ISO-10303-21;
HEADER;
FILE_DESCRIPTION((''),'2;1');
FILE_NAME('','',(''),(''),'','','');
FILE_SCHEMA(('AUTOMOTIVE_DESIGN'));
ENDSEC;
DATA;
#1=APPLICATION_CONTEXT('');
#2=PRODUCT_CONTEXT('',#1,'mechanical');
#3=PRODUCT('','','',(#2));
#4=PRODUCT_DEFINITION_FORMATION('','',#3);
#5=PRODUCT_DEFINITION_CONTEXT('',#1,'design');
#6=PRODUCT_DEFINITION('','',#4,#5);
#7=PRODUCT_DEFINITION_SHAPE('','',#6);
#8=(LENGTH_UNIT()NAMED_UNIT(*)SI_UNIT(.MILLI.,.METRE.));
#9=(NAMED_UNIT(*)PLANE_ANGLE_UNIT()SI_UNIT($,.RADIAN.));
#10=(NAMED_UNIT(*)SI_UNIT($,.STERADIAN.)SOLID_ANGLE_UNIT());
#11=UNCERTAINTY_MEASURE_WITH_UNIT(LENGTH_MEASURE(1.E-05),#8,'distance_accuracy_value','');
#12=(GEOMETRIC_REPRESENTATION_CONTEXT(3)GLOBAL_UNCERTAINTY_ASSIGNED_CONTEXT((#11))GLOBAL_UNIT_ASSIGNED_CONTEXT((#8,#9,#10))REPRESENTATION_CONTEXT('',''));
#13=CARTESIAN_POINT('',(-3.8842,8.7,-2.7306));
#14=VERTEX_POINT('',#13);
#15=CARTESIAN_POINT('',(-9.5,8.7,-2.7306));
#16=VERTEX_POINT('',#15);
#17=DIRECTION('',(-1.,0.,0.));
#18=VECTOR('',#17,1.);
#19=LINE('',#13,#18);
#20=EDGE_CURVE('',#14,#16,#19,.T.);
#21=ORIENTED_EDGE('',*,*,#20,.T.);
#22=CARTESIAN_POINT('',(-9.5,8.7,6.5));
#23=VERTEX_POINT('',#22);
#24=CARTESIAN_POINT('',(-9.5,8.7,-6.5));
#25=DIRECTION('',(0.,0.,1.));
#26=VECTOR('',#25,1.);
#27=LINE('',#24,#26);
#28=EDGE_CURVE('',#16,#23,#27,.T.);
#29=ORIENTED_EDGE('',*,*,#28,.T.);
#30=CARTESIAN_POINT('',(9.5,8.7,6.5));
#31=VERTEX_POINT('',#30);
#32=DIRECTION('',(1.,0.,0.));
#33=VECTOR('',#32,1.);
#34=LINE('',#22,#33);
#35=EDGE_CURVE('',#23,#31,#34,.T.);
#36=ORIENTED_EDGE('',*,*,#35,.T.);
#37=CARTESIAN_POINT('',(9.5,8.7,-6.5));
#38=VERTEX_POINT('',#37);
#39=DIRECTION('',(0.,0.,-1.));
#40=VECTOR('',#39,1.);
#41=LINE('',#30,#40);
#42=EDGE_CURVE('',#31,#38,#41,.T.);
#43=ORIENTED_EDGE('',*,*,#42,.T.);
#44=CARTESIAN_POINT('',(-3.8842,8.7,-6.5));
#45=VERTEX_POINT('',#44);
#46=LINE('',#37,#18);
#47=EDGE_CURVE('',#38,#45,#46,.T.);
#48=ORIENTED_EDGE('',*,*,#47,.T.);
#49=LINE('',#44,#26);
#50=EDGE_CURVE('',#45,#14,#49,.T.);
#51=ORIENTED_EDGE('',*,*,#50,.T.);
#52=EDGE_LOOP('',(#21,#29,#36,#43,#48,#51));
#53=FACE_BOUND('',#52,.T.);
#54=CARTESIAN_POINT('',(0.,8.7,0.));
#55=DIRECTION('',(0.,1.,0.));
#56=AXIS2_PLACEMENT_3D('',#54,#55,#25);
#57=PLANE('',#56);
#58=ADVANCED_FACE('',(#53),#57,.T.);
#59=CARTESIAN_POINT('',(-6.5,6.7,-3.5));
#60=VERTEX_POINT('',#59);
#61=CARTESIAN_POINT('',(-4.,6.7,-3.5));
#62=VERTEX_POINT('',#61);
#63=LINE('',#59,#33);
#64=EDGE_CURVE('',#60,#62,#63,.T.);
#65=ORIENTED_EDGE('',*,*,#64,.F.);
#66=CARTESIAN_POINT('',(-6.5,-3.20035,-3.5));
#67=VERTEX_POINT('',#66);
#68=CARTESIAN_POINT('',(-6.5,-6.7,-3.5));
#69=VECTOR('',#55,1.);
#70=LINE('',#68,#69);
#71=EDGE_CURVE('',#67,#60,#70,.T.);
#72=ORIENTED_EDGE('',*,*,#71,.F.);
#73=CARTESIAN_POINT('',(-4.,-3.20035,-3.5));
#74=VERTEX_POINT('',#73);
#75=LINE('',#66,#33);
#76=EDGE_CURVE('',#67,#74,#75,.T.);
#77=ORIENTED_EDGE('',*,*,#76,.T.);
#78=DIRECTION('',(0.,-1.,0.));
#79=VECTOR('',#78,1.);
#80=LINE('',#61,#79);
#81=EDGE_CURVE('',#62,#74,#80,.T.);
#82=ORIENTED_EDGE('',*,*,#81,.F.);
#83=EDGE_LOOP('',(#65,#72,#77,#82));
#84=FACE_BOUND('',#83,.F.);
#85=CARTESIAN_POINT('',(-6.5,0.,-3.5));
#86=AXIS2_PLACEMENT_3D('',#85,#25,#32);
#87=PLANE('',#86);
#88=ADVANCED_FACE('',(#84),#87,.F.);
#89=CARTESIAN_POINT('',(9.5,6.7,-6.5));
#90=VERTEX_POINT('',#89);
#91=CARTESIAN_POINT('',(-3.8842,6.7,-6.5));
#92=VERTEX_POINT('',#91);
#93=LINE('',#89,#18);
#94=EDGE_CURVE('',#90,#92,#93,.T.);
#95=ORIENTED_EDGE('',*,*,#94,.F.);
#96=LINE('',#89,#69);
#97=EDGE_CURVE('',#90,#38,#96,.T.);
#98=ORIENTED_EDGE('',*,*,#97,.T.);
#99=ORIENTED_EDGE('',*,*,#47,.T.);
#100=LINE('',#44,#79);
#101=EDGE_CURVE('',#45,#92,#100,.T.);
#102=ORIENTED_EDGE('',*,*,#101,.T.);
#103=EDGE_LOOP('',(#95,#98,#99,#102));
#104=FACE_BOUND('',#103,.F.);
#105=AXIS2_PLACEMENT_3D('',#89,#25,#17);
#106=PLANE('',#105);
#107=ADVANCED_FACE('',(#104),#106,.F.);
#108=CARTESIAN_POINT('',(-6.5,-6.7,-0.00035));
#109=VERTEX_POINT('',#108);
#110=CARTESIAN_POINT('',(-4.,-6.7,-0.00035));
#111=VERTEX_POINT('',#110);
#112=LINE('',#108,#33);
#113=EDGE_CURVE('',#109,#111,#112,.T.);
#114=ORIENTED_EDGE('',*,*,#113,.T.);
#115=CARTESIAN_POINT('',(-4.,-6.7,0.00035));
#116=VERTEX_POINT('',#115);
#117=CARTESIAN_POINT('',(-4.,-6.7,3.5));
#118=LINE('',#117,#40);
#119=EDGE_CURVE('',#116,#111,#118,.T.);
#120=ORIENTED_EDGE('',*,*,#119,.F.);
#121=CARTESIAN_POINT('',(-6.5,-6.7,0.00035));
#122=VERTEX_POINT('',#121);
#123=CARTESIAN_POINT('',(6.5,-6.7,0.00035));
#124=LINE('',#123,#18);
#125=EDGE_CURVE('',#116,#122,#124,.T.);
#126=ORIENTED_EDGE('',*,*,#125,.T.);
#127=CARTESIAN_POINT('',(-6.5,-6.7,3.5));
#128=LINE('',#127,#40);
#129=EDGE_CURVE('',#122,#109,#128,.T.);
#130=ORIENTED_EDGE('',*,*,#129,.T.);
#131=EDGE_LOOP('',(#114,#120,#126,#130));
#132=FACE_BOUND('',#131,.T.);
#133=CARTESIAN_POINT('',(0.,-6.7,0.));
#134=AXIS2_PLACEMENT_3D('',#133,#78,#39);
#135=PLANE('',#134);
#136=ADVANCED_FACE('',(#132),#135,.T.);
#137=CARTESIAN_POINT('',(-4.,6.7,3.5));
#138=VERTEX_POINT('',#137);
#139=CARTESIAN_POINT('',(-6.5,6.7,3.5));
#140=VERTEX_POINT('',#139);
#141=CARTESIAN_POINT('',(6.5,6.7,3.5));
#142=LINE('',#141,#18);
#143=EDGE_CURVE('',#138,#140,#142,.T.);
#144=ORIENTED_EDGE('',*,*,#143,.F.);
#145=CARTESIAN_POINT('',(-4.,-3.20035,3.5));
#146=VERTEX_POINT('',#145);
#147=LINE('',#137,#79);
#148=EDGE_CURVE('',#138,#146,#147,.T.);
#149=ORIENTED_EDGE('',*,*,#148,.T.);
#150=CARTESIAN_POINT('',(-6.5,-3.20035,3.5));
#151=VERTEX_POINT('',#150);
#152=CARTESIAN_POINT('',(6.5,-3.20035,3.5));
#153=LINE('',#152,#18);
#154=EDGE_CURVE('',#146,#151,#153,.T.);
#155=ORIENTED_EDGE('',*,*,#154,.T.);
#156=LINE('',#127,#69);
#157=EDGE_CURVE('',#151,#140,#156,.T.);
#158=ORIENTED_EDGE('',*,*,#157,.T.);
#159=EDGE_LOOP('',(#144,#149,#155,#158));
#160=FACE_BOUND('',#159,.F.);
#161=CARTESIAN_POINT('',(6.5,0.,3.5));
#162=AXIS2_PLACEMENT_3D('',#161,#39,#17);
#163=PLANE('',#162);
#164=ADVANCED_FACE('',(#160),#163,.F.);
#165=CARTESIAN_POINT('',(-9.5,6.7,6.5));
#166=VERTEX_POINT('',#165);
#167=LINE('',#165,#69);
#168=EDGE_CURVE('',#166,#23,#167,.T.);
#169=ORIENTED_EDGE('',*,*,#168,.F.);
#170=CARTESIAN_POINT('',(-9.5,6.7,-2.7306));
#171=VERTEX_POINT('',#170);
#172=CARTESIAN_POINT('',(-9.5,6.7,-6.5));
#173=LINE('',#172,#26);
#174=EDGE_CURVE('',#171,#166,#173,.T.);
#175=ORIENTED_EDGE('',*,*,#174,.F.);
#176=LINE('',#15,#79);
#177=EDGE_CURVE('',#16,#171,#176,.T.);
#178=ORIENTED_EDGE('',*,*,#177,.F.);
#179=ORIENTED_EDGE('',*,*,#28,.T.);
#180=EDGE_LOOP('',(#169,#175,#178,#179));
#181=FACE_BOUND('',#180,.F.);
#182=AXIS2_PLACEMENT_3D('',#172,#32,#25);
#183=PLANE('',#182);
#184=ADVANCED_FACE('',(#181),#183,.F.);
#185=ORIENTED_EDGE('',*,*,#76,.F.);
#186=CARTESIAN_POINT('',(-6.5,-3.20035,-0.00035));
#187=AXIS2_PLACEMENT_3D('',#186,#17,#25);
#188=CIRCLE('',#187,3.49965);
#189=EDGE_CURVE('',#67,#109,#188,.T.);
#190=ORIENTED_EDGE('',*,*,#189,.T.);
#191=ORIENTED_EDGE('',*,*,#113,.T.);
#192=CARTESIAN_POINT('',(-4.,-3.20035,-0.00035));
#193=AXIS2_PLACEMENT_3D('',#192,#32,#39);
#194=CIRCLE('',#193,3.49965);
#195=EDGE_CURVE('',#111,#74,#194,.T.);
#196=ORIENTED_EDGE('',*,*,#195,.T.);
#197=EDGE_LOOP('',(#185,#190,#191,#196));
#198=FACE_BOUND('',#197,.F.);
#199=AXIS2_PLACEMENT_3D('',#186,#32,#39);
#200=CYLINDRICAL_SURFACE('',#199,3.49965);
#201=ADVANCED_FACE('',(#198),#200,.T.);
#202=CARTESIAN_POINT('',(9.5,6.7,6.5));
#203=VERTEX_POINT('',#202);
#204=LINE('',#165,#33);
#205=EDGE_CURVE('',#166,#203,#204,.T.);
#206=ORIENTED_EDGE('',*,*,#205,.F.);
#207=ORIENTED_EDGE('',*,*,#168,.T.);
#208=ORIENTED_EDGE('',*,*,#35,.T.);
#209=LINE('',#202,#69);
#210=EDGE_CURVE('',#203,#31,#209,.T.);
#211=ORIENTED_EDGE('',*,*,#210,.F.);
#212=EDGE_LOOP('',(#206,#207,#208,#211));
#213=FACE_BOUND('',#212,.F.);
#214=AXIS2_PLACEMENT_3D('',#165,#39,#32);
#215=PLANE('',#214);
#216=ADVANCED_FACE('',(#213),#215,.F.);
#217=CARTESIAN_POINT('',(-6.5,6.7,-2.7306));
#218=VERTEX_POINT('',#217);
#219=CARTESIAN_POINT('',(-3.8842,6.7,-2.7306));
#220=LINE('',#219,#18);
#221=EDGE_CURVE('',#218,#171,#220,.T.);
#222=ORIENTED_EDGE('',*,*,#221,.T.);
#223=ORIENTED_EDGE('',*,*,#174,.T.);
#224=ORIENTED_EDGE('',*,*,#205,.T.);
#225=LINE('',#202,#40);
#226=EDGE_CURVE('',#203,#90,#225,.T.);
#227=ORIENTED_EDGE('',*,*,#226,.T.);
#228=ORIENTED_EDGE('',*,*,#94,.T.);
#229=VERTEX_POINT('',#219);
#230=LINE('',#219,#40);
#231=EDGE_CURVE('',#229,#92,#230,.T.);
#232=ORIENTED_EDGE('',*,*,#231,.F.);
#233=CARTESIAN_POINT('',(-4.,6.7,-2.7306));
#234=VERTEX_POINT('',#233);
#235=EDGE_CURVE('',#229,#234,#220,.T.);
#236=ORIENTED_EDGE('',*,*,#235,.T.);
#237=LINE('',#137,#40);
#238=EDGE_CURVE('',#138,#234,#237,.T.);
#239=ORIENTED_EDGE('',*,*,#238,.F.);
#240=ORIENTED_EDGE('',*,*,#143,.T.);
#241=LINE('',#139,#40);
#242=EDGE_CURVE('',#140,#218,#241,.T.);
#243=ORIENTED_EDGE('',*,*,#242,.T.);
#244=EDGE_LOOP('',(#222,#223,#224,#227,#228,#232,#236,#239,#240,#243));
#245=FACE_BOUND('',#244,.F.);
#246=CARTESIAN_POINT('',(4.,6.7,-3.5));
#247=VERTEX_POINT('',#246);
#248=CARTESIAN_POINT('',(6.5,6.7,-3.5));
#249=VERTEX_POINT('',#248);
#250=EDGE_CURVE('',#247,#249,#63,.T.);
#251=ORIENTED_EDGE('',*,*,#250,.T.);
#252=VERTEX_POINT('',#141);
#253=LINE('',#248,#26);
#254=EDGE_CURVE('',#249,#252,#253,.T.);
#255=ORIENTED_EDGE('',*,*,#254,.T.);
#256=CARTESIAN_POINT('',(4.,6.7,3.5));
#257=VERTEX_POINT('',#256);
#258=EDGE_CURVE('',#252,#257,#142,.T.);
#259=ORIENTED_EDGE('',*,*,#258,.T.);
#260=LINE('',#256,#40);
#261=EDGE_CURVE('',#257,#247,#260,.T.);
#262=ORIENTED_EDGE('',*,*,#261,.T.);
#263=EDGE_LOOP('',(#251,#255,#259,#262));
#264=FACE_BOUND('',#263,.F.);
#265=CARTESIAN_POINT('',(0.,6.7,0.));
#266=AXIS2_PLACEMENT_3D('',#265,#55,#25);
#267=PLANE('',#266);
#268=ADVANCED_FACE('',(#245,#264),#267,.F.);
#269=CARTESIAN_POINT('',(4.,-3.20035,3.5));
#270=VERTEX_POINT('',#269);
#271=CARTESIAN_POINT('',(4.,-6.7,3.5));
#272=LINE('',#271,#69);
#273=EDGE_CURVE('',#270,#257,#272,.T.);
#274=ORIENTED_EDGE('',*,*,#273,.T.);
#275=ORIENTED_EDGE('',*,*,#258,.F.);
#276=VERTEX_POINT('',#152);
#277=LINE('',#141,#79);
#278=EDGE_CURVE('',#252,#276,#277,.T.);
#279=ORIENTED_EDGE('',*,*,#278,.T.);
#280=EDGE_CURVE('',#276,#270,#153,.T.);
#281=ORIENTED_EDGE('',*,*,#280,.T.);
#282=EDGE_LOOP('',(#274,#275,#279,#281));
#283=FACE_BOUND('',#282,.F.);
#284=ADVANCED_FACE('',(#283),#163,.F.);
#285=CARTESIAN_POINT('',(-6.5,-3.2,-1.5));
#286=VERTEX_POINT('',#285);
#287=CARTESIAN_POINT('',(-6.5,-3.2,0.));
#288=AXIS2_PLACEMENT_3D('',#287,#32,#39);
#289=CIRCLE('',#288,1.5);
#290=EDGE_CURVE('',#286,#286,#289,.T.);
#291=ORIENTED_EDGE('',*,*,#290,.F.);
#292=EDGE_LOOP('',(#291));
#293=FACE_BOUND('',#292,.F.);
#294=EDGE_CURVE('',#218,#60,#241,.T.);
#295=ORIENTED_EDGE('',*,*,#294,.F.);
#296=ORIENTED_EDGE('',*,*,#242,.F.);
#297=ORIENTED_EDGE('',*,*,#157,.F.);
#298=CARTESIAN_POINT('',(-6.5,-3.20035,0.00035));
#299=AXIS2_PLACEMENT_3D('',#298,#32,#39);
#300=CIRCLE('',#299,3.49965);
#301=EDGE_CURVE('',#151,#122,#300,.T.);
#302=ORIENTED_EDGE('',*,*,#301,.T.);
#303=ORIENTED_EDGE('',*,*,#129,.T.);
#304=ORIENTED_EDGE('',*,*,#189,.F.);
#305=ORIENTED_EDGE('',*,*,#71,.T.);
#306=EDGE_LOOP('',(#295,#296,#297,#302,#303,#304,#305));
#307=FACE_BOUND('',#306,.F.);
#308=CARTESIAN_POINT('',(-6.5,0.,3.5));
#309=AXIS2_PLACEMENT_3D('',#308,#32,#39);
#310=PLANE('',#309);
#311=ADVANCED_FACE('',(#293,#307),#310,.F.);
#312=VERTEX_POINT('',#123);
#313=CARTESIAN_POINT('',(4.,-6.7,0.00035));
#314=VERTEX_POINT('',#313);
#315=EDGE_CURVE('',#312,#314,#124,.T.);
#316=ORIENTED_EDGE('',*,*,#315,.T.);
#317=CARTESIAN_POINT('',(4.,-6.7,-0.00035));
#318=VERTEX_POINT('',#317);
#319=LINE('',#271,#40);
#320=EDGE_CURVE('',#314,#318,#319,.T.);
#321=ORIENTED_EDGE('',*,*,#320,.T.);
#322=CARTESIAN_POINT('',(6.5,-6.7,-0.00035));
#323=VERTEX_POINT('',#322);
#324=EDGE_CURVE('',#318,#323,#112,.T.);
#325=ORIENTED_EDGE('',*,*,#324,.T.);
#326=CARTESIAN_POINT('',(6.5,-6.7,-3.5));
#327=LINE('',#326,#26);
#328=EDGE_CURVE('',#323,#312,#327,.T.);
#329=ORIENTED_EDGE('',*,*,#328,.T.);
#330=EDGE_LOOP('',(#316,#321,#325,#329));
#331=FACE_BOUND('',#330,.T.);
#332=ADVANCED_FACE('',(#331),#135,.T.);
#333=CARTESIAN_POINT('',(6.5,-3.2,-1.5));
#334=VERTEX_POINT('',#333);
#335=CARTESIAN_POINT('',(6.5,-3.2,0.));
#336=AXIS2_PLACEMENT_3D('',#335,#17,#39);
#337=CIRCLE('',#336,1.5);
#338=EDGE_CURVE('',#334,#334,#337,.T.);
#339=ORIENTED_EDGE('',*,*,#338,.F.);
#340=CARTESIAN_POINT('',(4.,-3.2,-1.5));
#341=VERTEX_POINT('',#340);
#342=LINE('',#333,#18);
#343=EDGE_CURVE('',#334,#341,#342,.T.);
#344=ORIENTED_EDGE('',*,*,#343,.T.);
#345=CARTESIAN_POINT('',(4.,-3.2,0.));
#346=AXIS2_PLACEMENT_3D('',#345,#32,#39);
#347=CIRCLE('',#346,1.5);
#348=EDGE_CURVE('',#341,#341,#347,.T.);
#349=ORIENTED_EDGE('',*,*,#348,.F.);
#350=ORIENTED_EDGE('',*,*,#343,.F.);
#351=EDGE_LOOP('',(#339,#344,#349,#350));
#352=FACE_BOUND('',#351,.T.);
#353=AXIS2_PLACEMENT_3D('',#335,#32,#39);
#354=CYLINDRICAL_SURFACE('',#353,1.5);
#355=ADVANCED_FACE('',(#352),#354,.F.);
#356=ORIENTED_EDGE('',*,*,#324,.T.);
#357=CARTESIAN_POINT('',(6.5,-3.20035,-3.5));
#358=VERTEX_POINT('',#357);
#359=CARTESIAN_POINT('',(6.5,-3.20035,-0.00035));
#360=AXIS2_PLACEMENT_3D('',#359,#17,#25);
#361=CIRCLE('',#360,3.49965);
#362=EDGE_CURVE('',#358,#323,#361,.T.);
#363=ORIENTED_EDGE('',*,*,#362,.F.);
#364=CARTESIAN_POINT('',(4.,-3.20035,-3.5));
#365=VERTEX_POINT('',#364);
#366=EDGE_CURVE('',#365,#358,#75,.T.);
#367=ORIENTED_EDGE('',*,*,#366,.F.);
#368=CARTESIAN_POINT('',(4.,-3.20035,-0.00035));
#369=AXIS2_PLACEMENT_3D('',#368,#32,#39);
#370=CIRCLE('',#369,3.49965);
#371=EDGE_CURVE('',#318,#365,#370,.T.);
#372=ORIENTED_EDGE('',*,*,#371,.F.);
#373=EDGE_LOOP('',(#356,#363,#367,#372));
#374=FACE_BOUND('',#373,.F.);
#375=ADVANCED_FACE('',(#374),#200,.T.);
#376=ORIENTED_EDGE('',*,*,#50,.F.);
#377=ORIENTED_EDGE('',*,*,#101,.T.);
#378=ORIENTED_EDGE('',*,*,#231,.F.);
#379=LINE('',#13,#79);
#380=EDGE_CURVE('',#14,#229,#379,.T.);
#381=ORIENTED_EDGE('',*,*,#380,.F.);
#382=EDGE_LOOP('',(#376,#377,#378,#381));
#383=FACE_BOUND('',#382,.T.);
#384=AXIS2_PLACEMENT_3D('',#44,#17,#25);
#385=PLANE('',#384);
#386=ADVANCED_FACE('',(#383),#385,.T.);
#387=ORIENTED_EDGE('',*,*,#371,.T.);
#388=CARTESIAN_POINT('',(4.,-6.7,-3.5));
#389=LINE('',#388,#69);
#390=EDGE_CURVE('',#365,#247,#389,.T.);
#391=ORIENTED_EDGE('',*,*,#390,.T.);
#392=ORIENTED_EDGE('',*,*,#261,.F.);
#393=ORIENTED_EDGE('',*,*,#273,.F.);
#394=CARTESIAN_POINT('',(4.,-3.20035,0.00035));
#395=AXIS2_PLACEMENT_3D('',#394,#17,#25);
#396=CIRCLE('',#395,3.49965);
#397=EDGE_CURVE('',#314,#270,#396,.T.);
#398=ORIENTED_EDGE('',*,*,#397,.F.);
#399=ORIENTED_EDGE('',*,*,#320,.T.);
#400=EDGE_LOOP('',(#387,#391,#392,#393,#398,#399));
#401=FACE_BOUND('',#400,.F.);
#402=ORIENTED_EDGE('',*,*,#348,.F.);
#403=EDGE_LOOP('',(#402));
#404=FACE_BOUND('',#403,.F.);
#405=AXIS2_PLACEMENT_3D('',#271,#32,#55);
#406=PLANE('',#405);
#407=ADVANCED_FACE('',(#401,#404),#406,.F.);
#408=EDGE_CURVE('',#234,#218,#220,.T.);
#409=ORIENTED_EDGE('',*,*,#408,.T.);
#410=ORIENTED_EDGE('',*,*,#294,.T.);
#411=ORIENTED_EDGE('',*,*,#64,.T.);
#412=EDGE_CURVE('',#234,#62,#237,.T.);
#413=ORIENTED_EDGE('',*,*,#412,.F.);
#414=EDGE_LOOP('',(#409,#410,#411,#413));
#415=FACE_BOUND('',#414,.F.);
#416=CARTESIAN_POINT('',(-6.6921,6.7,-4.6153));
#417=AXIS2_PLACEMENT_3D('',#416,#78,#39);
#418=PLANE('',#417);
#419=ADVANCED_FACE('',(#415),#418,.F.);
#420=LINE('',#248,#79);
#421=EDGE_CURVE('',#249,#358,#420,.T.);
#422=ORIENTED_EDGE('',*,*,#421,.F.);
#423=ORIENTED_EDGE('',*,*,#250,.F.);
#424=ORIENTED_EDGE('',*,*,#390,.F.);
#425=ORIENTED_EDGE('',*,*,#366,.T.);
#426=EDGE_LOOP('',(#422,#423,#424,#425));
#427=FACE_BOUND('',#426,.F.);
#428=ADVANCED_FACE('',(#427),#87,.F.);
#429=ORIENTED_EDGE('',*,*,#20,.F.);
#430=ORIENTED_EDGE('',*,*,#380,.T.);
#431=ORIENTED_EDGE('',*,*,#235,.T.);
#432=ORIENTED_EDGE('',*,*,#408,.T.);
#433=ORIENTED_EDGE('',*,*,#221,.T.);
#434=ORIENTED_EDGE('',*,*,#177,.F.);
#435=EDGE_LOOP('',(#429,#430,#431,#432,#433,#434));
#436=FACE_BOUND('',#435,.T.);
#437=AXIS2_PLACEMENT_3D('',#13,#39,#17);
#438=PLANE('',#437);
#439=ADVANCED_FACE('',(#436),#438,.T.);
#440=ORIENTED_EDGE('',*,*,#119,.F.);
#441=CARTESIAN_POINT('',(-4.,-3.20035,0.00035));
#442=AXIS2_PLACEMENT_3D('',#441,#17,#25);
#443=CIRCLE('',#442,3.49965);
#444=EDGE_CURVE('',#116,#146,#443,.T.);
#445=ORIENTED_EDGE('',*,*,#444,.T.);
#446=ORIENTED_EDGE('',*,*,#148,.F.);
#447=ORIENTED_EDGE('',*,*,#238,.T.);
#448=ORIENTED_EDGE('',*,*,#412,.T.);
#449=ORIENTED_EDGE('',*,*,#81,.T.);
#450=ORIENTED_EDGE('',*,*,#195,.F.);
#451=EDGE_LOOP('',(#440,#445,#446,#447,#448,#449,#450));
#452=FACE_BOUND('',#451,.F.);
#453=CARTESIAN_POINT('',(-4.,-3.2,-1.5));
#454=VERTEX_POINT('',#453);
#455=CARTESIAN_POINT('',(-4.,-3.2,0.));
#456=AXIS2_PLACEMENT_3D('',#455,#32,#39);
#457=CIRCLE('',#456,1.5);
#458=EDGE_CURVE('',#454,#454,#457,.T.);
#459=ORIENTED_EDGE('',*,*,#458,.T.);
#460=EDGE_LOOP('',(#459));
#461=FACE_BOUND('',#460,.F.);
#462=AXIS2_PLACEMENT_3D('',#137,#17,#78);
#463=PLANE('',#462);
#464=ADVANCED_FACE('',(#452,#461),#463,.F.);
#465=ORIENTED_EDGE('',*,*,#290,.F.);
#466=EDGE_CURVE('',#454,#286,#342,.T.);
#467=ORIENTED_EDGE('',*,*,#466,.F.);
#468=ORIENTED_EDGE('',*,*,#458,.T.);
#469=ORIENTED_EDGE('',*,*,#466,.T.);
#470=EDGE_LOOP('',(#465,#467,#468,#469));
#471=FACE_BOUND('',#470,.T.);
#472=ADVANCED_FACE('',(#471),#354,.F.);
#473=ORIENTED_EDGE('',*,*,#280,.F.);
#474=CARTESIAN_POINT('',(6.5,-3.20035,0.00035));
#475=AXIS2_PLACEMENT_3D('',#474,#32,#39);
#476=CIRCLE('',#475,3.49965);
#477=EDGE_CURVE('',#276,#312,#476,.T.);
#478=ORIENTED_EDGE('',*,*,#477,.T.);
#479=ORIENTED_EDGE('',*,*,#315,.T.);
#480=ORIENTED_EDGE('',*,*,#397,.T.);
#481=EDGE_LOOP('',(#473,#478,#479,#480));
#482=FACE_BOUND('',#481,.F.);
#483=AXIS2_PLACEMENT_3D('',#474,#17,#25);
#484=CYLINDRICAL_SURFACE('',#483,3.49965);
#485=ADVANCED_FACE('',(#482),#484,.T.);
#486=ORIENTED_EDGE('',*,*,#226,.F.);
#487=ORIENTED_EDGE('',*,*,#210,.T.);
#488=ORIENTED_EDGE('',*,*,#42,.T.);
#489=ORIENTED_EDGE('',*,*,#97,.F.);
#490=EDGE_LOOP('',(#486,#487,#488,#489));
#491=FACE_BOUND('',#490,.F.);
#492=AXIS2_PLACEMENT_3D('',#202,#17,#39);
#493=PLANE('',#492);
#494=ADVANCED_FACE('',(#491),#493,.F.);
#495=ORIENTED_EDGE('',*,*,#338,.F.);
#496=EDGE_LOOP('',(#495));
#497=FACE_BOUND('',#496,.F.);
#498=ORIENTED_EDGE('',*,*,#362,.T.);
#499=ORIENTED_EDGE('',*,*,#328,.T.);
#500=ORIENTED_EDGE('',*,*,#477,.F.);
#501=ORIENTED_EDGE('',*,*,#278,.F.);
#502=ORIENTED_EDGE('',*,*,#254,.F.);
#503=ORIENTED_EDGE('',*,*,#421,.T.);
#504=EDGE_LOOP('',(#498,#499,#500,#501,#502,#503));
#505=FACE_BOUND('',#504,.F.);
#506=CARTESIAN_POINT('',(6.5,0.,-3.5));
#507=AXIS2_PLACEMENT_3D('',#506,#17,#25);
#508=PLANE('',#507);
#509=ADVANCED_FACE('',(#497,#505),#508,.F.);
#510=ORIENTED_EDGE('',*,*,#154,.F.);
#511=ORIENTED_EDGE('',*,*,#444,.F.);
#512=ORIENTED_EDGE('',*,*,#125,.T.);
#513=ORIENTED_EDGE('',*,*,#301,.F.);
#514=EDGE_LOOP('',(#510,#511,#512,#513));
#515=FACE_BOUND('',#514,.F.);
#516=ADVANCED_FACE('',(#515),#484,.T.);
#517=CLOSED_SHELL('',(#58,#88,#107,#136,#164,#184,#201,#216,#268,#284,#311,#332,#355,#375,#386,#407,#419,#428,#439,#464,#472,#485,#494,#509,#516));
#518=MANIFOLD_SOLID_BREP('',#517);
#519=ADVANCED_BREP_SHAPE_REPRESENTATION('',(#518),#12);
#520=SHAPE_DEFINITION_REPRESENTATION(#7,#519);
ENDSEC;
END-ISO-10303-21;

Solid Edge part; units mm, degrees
sketch "Sketch1" plane through (0, 0, 0) normal (0, -1, 0) x (1, 0, 0)
  line L0 (-6.5, -3.5) -> (6.5, -3.5)
  line L1 (6.5, -3.5) -> (6.5, 3.5)
  line L2 (6.5, 3.5) -> (-6.5, 3.5)
  line L3 (-6.5, 3.5) -> (-6.5, -3.5)
extrude "Protrusion1" add sketch "Sketch1" along normal mid plane 13.4
sketch "Sketch2" plane through (0, 6.7, 0) normal (0, 1, 0) x (0, 0, -1)
  line L0 (6.5, 9.5) -> (-6.5, 9.5)
  line L1 (-6.5, 9.5) -> (-6.5, -9.5)
  line L2 (-6.5, -9.5) -> (6.5, -9.5)
  line L3 (6.5, -9.5) -> (6.5, 9.5)
  dimension "D1" = 3
  dimension "D2" = 3
extrude "ExtrudedProtrusion_2" add sketch "Sketch2" along normal blind 2
sketch "Sketch3" plane through (0, 8.7, 0) normal (0, 1, 0) x (1, 0, 0)
  line L0 (-3.8842, 6.5) -> (-3.8842, 2.7306)
  line L1 (-3.8842, 2.7306) -> (-9.5, 2.7306)
  line L2 (-9.5, 2.7306) -> (-9.5, 6.5)
  line L3 (-9.5, 6.5) -> (-3.8842, 6.5)
extrude "Cutout1" cut sketch "Sketch3" against normal up to surface (2 mm away)
fillet "Round_1" radius 3.5 2 edges at (0, -6.7, 3.5) (0, -6.7, -3.5)
hole "Hole_1" at (6.5, -3.2, 0) direction (-1, 0, 0) diameter 3 end up to next
sketch "Sketch4" plane through (0, 1.75, 3.5) normal (0, 0, 1) x (1, 0, 0)
  line L0 (4, 4.95) -> (-4, 4.95)
  line L1 (-4, 4.95) -> (-4, -8.45)
  line L2 (-4, -8.45) -> (4, -8.45)
  line L3 (4, -8.45) -> (4, 4.95)
  dimension "D1" = 2.5
  dimension "D2" = 2.5
extrude "Cutout2" cut sketch "Sketch4" against normal up to surface (7 mm away)
properties material "Aluminum, 6061-T6"
